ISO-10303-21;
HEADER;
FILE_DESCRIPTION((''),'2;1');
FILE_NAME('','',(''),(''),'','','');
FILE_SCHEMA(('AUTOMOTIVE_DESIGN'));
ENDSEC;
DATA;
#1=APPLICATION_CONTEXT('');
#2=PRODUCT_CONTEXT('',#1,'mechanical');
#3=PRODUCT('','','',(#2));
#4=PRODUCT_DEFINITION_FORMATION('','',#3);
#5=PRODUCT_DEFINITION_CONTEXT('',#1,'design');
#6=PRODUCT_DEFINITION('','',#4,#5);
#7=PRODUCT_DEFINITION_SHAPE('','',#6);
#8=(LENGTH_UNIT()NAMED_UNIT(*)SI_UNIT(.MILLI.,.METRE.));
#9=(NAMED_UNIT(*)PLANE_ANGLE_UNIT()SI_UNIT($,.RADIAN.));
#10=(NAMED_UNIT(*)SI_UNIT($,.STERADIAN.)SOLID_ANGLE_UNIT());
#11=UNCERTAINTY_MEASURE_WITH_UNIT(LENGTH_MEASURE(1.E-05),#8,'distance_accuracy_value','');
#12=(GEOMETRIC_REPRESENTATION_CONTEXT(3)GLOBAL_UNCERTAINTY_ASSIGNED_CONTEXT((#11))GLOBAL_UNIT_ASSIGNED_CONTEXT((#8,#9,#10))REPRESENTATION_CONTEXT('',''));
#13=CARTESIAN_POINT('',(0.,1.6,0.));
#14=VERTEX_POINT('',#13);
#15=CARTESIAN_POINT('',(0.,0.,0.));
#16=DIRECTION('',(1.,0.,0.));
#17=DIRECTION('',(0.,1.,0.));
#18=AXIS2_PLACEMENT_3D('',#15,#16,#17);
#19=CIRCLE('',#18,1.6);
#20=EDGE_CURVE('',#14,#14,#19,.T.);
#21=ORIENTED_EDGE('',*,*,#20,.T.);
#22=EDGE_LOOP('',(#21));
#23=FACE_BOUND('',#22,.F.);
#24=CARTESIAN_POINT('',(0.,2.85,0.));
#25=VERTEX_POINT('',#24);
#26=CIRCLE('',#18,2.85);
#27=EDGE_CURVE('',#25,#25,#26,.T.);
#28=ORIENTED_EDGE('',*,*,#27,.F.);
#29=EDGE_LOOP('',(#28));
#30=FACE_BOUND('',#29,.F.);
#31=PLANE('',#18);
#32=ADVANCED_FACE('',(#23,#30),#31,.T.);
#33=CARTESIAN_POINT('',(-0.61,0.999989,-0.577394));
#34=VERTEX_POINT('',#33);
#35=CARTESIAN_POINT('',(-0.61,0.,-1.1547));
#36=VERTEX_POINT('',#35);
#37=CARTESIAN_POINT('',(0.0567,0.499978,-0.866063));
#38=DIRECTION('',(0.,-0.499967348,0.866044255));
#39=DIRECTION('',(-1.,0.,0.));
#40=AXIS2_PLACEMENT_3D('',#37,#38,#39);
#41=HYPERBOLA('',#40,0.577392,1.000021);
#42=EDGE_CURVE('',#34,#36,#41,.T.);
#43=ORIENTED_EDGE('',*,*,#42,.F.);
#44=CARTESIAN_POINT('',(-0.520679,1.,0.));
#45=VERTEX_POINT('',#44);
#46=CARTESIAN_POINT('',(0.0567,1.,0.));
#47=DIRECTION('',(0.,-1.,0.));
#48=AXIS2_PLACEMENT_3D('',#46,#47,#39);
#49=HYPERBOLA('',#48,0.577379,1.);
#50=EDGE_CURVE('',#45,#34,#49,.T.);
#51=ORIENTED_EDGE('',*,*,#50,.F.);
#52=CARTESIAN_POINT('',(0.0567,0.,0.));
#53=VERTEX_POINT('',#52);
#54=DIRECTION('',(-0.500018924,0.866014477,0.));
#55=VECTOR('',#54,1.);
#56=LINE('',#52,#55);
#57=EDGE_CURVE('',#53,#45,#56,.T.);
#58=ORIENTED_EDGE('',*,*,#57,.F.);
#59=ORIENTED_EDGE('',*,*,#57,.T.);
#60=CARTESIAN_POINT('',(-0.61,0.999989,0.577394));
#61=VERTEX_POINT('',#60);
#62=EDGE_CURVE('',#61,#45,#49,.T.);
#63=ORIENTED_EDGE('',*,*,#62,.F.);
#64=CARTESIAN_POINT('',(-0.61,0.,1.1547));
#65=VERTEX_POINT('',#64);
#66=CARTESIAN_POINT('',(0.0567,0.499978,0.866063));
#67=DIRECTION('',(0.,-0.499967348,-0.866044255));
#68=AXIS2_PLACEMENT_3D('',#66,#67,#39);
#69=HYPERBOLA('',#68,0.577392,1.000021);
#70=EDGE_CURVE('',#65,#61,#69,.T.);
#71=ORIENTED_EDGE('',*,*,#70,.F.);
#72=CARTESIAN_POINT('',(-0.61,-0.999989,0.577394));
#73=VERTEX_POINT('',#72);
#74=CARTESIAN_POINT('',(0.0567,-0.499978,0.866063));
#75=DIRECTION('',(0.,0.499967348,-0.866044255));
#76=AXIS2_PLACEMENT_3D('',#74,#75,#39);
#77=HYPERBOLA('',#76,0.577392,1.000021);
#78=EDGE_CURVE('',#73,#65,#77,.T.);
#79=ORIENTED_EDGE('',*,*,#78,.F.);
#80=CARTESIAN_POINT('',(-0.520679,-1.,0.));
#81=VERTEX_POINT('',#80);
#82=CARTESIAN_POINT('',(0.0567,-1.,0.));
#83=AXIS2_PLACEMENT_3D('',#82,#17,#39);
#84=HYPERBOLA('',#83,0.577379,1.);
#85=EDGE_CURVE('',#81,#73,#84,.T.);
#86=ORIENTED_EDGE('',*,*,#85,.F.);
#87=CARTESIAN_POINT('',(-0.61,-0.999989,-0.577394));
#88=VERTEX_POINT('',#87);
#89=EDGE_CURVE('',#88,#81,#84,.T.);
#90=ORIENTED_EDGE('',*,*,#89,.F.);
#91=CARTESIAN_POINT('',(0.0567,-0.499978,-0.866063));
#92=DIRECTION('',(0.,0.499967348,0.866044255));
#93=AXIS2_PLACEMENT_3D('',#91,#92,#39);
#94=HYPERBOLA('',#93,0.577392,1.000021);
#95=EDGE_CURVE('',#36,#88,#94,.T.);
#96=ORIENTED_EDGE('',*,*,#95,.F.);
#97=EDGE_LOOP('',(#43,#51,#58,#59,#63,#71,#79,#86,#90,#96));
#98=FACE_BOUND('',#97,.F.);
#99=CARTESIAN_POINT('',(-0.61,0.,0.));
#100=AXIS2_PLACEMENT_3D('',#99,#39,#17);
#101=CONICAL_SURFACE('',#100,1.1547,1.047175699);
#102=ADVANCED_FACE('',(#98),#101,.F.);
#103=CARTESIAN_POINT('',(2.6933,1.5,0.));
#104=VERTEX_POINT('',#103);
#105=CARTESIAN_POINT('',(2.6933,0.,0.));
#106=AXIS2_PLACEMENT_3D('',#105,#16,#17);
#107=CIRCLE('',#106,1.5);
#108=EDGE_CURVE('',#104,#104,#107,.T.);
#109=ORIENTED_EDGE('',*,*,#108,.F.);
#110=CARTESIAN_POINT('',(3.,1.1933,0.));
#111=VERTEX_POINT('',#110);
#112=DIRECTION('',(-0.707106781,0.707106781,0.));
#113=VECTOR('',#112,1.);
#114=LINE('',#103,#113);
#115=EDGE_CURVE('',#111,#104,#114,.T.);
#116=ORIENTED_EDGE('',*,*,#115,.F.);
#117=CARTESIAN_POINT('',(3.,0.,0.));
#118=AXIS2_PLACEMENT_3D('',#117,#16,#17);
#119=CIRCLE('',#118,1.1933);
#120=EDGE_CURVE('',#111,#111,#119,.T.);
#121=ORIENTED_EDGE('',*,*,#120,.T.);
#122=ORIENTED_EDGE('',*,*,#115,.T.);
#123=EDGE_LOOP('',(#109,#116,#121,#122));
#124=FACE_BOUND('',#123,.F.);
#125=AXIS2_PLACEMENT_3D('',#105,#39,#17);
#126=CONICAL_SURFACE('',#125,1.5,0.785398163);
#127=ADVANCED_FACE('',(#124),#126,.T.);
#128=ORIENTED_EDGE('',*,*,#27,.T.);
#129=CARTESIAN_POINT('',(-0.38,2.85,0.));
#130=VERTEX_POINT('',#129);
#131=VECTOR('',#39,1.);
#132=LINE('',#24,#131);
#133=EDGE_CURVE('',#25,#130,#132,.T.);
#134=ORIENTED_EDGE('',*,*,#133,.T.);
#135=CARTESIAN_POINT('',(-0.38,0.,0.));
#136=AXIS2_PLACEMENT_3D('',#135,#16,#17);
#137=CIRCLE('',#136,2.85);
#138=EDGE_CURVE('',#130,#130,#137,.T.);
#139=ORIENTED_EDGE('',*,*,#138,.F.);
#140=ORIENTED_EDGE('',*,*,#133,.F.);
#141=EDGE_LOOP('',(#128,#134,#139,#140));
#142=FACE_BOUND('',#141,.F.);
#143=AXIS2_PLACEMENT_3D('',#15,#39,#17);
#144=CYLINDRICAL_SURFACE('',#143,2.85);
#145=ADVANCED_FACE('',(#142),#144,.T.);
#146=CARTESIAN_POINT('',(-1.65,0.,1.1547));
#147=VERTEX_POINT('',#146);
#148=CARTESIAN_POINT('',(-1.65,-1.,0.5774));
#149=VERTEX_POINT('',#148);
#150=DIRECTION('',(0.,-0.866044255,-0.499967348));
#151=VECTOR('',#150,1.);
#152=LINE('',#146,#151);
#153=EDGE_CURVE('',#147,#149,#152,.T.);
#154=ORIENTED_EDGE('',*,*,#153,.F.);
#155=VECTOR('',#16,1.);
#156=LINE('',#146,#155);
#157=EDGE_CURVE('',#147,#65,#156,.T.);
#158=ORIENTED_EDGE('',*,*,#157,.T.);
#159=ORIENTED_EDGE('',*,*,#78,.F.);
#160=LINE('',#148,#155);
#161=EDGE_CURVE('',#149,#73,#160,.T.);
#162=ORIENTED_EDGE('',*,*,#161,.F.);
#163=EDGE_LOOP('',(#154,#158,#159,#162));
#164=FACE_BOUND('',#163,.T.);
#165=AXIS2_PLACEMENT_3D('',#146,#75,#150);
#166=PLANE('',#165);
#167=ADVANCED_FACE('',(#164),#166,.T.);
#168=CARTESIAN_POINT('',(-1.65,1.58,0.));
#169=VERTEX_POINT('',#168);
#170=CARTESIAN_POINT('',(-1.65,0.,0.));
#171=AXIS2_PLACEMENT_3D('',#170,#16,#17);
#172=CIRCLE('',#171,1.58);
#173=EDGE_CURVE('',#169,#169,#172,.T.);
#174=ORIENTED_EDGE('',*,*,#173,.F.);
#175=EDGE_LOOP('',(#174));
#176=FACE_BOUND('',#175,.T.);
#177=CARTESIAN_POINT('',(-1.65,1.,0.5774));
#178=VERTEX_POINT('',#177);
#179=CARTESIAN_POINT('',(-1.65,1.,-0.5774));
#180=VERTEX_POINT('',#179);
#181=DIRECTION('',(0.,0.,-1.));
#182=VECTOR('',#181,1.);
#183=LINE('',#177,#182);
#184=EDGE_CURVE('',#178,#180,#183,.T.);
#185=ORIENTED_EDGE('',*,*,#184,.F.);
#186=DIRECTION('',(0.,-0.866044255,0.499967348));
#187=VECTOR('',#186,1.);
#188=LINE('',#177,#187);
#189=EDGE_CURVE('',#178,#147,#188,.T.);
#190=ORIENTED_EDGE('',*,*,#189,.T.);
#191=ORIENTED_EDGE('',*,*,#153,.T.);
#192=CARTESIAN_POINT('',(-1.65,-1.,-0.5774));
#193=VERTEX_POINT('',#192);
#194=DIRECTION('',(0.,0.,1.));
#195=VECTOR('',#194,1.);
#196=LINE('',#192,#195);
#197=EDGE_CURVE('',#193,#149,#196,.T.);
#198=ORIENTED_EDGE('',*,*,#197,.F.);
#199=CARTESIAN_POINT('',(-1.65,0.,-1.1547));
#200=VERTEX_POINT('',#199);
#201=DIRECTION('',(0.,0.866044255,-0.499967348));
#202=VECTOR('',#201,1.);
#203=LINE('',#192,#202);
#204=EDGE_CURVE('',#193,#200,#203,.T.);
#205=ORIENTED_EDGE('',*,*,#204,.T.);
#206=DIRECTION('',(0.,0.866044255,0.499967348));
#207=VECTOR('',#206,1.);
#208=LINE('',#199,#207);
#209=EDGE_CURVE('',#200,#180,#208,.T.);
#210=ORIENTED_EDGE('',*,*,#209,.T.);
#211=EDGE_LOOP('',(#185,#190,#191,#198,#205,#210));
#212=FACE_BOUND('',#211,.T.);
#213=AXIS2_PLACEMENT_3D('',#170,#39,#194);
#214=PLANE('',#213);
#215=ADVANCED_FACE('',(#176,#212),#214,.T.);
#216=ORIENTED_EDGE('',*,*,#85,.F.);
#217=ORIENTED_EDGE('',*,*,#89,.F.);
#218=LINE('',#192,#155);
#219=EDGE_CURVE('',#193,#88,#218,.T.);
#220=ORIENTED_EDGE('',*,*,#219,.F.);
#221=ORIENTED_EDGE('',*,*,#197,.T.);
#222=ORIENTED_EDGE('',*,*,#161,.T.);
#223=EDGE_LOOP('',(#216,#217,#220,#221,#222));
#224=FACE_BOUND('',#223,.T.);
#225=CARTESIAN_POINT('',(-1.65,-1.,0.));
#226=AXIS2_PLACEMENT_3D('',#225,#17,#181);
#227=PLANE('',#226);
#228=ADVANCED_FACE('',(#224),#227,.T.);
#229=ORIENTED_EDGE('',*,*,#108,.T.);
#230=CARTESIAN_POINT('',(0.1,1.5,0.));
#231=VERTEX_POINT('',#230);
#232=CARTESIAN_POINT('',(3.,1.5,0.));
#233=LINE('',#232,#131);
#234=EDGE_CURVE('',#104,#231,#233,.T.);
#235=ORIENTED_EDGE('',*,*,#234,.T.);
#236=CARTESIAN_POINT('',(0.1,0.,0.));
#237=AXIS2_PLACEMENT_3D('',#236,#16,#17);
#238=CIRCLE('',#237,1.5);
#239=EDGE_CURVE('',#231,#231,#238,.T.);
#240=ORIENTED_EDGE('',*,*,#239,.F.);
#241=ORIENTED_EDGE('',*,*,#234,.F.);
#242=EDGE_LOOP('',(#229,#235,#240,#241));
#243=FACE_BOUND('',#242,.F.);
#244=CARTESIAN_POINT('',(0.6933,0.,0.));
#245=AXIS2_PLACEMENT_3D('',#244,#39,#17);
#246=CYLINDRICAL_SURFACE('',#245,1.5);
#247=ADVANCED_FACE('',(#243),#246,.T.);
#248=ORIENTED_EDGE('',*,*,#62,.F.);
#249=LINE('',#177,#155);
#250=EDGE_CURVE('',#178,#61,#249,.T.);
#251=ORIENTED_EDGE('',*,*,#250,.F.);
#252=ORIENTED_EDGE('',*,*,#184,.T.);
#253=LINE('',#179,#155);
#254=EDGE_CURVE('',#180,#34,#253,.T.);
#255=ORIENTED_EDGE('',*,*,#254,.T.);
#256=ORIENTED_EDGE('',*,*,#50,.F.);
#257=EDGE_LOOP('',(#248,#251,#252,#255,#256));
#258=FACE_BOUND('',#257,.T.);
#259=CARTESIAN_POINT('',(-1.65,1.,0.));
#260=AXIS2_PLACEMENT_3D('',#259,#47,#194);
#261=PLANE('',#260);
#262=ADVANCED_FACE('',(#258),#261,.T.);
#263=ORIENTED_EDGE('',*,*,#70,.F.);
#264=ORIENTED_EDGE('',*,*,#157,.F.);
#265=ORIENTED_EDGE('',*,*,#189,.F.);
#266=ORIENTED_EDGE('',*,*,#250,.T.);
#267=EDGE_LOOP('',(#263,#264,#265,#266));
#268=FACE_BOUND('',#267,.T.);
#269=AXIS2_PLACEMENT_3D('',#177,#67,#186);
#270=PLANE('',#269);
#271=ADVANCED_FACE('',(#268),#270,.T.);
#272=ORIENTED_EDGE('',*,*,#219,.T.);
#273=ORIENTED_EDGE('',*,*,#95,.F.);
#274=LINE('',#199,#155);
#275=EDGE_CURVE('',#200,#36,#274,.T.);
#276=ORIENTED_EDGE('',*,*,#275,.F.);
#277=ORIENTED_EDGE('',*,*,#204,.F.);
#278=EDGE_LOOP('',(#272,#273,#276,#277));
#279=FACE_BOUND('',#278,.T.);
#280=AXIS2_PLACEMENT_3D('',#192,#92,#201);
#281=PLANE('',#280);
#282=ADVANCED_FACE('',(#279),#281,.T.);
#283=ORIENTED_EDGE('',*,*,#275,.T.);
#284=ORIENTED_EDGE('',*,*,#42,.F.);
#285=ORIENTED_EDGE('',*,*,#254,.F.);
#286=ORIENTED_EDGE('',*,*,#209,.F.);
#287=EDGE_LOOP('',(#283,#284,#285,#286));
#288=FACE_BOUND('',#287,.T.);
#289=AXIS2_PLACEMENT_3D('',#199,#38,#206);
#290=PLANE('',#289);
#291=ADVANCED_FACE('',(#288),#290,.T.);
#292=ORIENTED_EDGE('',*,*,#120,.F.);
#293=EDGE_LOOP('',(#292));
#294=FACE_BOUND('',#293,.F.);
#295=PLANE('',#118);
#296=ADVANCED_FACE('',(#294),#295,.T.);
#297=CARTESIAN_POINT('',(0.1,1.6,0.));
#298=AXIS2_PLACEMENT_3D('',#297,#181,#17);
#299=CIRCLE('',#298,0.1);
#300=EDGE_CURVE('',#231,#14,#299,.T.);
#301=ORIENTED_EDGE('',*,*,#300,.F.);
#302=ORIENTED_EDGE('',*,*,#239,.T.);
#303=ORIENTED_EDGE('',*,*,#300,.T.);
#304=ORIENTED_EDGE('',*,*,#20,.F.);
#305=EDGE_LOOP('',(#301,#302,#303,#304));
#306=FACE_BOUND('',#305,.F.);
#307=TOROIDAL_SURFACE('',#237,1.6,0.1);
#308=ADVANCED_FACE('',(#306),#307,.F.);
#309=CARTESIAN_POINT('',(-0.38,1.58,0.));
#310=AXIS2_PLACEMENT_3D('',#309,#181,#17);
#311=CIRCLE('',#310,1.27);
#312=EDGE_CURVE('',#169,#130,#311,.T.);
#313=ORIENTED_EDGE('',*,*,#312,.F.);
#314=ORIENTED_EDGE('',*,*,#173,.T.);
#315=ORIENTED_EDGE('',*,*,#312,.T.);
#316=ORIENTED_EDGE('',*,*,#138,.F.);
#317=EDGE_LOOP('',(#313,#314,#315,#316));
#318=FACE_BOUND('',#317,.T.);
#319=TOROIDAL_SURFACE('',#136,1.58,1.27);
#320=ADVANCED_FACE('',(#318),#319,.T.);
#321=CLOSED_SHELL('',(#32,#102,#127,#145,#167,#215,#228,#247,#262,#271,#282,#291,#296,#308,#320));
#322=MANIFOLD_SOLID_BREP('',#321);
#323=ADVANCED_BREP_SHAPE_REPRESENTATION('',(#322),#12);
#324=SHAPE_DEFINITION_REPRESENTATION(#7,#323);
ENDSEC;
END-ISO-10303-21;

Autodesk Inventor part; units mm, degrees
ref_plane "YZ Plane" through (0, 0, 0) normal (1, 0, 0) x (0, 1, 0)
ref_plane "XZ Plane" through (0, 0, 0) normal (0, 1, 0) x (-1, 0, 0)
sketch "Skizze1" plane through (0, 0, 0) normal (0, 0, 1) x (1, 0, 0)
  line L0 (0.0567, 0) -> (3, 0)
  line L1 (3, 0) -> (3, 1.5)
  line L2 (3, 1.5) -> (1, 1.5)
  line L3 (1, 1.5) -> (0.6933, 1.5)
  line L4 (0.6933, 1.5) -> (0, 1.5)
  line L5 (0, 1.5) -> (0, 2.85)
  line L6 (0, 2.85) -> (-1.65, 2.85)
  line L7 (-1.65, 2.85) -> (-1.65, 1.1547)
  line L8 (-1.65, 1.1547) -> (-0.61, 1.1547)
  line L9 (-0.61, 1.1547) -> (0.0567, 0)
  line L10 (-2.58, 0) -> (3.93, 0) projected
  line L11 (0, -0.57) -> (0, 3.42) projected
  line L12 (1, 1.5) -> (0, 1.5) construction
  dimension "d0" = 2
  dimension "d1" = 0.3067
  dimension "d2" = 1.65
  dimension "d3" = 1.04
  dimension "d4" = 60
  dimension "d5" = 3
  dimension "d6" = 3
  dimension "d7" = 2.3094
  dimension "d8" = 5.7
  dimension "d19" = 3
revolve "Körper" add sketch "Skizze1" angle 360 about axis through (0.0567, 0, 0) along (1, 0, 0) contours L9 L11 L4 L3 L2 L1 L0 | L9 L8 L7 L6 L5 L11
sketch "Skizze2" plane through (-1.65, 0, 0) normal (-1, 0, 0) x (0, 0, 1)
  circle A0 centre (0, 0) radius 1.1547 projected
  line L0 (0, -3.99) -> (0, 3.99) projected
  line L1 (-3.99, 0) -> (3.99, 0) projected
  line L2 (1.1547, 0) -> (0.5774, -1)
  line L3 (0.5774, -1) -> (-0.5774, -1)
  line L4 (-0.5774, -1) -> (-1.1547, 0)
  line L5 (-1.1547, 0) -> (-0.5774, 1)
  line L6 (-0.5774, 1) -> (0.5774, 1)
  line L7 (0.5774, 1) -> (1.1547, 0)
extrude "Loch" add sketch "Skizze2" against normal up to next contours L7 A0 | A0 L2 | L6 L0 A0 | A0 L0 L3 | L0 L6 A0 | A0 L3 L0 | L4 A0 | A0 L5
fillet "Rundung1" radius 1.27 1 edges at (-1.65, -2.85, 0)
thread "Gewinde" size "M3x0.5" class "4g6g" standard "ANSI Metric M Profile" length 2
chamfer "Fase1" distance 0.3067 distance2 0.3067 1 edges at (3, -1.5, 0) measured on face at (3, -0.2617, -0.7882)
fillet "Rundung2" radius 0.1 1 edges at (0, -1.5, 0)
ref_plane "Work Plane1" through (30, 0, 0) normal (0, -0.5, 0.866) x (1, 0, 0)
equation "\"d0\" = GEL"
equation "\"d1\" = GAL"
equation "\"d2\" = KOH"
equation "\"d3\" = INTI"
equation "\"d5\" = GD"
equation "\"d6\" = BDM"
equation "\"d7\" = 1.1547 * SW"
equation "\"d8\" = KOD"
equation "\"d19\" = NLG"
equation "\"d16\" = RR"
equation "\"d12\" = GEL"
equation "\"d14\" = -0.5 * SPD + 0.5 * GD"
equation "\"d15\" = GUL"
equation "\"d29\" = R"
equation "\"GD\" = NND"
equation "\"NLG\" = 3"
equation "\"GEL\" = 2"
equation "\"KOD\" = 5.7"
equation "\"KOH\" = 1.65"
equation "\"INTI\" = 1.04"
equation "\"GAL\" = 0.61345 * PTC"
equation "\"GUL\" = 0.61345 * PTC"
equation "\"BDM\" = NND"
equation "\"SW\" = 2"
equation "\"RR\" = 1.27"
equation "\"SPD\" = 2.38655"
equation "\"d28\" = R"
equation "\"R\" = 0.1"
equation "\"TOA\" = 30deg"
equation "\"THREADDIA\" = 3"
equation "\"KOD1\" = KOD - 2 * RR"
equation "\"PTC\" = 0.5"
equation "\"NND\" = 3"
equation "\"E0\" = 1.155 * SW"
equation "\"GD1\" = THREADDIA - 1.2269 * PTC"
properties part number "ANSI B18.3.4M - M3 x 0.5 x 3, FHSBHCSM" material "Steel, Mild"
